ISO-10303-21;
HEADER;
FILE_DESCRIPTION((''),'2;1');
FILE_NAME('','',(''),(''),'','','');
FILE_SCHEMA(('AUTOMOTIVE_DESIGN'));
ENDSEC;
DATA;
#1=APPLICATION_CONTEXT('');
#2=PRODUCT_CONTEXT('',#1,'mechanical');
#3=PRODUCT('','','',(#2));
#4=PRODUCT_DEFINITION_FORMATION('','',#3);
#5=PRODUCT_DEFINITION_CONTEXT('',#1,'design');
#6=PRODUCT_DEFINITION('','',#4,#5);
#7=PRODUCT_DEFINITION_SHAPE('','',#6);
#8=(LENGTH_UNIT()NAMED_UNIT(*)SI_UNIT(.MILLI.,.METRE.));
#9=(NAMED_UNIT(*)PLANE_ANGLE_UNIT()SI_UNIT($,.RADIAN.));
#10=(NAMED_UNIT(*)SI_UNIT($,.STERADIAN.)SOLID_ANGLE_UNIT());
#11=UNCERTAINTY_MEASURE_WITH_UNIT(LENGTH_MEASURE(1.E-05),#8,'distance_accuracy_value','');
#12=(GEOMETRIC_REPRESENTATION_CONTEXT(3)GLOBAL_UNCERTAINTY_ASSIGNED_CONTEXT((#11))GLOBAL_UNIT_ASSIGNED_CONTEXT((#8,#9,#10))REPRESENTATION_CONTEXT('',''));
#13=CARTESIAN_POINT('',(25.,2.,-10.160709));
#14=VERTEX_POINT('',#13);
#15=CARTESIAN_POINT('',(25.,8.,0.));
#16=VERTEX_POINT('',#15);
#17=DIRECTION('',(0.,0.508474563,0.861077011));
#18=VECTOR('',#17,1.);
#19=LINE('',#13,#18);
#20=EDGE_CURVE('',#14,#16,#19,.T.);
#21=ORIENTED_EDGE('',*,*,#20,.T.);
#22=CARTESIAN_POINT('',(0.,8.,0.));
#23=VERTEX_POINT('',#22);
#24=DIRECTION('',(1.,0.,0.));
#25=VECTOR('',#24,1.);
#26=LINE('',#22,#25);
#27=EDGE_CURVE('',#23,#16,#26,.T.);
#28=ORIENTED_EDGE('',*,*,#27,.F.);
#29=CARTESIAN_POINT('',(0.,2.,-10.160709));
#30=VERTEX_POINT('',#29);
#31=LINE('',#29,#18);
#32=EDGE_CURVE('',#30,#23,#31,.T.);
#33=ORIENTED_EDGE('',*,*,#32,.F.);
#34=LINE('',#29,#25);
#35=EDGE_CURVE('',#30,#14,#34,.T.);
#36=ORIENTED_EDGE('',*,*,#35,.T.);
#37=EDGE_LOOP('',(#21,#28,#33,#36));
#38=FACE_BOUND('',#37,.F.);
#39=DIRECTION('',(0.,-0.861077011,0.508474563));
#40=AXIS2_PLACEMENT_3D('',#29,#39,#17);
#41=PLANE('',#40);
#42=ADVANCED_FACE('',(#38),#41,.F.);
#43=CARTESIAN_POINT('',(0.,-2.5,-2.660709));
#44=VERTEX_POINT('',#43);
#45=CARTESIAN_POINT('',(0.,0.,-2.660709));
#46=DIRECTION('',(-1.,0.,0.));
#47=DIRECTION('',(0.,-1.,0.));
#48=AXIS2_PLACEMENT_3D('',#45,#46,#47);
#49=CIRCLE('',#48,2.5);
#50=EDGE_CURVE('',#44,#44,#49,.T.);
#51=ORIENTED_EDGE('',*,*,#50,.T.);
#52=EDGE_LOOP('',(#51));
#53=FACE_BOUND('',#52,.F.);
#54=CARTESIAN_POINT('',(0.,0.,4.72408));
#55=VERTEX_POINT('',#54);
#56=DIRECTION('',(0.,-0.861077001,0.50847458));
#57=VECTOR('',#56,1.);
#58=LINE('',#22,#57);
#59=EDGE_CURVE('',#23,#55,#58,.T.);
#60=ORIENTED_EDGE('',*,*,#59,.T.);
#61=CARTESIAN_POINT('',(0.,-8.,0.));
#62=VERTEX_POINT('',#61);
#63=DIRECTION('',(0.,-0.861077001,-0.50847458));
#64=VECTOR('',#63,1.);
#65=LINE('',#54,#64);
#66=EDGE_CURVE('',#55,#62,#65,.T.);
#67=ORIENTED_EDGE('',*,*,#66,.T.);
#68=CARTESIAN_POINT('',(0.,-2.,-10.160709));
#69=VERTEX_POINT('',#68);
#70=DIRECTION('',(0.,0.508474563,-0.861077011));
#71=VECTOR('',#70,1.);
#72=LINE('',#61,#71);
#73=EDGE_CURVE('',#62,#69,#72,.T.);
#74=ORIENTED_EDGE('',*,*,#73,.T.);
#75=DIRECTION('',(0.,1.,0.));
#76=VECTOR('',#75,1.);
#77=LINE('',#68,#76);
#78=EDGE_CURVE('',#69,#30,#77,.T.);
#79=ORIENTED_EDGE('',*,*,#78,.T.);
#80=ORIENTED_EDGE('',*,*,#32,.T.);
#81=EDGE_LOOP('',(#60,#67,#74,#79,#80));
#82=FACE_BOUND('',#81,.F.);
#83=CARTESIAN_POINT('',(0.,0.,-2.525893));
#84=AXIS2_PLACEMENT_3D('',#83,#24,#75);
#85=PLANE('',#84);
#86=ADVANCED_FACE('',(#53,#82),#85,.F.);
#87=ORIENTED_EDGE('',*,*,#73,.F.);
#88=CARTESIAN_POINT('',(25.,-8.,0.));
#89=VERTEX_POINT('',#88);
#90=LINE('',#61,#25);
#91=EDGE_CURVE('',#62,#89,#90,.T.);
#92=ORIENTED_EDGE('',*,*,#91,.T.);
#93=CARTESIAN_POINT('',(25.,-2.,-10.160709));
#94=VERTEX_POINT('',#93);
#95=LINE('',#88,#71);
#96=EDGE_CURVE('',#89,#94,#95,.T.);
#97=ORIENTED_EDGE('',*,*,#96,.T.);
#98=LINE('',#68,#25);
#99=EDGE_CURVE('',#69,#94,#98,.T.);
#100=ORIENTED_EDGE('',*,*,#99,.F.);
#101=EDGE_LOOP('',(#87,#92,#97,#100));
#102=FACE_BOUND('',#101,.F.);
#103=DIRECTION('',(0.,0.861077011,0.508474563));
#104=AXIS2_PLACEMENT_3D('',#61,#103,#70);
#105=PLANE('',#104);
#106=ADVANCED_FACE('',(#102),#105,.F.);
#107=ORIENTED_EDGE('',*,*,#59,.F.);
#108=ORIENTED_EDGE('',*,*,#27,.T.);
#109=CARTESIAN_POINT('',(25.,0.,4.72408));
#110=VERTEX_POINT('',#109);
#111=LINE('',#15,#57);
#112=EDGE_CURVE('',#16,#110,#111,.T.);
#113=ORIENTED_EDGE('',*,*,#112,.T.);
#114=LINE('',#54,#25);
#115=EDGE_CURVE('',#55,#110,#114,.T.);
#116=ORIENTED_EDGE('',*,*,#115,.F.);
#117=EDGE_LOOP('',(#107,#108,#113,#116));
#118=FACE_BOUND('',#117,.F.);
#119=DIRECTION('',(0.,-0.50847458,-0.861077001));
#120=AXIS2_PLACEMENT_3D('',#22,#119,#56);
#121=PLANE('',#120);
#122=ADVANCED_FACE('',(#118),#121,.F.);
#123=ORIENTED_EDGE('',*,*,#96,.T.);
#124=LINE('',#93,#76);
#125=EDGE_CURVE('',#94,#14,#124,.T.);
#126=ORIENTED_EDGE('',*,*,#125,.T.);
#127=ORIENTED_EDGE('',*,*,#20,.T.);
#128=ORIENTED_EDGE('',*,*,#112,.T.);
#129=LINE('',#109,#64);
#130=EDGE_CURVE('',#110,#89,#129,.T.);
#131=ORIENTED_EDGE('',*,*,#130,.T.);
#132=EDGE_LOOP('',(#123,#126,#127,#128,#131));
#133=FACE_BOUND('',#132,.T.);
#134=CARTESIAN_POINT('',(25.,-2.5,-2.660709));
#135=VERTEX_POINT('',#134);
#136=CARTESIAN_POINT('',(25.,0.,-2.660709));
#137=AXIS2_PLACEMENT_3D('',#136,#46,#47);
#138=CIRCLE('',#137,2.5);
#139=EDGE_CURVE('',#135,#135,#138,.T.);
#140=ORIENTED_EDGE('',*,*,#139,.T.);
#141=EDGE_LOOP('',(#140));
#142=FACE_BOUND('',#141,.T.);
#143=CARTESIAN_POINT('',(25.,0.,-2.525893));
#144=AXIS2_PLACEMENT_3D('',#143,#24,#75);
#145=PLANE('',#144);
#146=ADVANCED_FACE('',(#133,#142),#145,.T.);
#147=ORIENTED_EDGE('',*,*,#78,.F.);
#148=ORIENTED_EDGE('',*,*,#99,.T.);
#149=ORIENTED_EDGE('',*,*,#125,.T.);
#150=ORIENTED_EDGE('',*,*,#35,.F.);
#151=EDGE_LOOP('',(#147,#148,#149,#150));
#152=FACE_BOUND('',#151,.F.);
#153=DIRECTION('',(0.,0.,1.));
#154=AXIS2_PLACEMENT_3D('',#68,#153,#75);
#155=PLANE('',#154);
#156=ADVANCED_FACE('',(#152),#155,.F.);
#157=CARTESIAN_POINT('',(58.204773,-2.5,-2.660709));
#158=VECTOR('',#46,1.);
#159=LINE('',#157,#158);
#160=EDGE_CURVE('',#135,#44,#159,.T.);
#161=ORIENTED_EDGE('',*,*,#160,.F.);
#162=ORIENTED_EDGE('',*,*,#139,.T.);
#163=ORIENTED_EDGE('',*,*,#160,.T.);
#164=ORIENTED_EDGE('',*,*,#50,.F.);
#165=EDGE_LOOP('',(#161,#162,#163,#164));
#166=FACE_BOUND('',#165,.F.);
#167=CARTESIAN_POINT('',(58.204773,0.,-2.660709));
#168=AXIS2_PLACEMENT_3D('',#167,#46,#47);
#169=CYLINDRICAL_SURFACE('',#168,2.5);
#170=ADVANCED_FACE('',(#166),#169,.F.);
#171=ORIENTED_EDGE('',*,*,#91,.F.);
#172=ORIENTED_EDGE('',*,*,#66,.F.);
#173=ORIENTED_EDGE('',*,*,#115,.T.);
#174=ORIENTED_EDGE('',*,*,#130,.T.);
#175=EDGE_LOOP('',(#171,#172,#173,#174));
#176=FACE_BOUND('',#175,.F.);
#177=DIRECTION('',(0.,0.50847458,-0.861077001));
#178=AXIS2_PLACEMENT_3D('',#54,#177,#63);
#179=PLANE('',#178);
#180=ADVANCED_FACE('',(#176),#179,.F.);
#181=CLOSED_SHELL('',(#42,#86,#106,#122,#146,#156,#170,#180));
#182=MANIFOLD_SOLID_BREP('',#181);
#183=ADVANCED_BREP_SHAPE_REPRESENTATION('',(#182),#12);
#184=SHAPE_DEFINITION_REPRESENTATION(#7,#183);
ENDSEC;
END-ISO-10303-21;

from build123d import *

# Parameters (mm, degrees)
F1_DEPTH = 25
F3_D     = 5


with BuildPart() as f1:
    # F0 (on Right) → F1 (new body)
    with BuildSketch(Plane.YZ):
        Polygon((-2, -10.160709), (2, -10.160709), (8, 0), (0, 4.72408), (-8, 0), align=None)
    extrude(amount=F1_DEPTH)

    # F3 (through all)
    with Locations(Plane.YZ.offset(25)):
        with Locations((0, -2.660709)):
            Hole(F3_D / 2)


solid = f1.part
